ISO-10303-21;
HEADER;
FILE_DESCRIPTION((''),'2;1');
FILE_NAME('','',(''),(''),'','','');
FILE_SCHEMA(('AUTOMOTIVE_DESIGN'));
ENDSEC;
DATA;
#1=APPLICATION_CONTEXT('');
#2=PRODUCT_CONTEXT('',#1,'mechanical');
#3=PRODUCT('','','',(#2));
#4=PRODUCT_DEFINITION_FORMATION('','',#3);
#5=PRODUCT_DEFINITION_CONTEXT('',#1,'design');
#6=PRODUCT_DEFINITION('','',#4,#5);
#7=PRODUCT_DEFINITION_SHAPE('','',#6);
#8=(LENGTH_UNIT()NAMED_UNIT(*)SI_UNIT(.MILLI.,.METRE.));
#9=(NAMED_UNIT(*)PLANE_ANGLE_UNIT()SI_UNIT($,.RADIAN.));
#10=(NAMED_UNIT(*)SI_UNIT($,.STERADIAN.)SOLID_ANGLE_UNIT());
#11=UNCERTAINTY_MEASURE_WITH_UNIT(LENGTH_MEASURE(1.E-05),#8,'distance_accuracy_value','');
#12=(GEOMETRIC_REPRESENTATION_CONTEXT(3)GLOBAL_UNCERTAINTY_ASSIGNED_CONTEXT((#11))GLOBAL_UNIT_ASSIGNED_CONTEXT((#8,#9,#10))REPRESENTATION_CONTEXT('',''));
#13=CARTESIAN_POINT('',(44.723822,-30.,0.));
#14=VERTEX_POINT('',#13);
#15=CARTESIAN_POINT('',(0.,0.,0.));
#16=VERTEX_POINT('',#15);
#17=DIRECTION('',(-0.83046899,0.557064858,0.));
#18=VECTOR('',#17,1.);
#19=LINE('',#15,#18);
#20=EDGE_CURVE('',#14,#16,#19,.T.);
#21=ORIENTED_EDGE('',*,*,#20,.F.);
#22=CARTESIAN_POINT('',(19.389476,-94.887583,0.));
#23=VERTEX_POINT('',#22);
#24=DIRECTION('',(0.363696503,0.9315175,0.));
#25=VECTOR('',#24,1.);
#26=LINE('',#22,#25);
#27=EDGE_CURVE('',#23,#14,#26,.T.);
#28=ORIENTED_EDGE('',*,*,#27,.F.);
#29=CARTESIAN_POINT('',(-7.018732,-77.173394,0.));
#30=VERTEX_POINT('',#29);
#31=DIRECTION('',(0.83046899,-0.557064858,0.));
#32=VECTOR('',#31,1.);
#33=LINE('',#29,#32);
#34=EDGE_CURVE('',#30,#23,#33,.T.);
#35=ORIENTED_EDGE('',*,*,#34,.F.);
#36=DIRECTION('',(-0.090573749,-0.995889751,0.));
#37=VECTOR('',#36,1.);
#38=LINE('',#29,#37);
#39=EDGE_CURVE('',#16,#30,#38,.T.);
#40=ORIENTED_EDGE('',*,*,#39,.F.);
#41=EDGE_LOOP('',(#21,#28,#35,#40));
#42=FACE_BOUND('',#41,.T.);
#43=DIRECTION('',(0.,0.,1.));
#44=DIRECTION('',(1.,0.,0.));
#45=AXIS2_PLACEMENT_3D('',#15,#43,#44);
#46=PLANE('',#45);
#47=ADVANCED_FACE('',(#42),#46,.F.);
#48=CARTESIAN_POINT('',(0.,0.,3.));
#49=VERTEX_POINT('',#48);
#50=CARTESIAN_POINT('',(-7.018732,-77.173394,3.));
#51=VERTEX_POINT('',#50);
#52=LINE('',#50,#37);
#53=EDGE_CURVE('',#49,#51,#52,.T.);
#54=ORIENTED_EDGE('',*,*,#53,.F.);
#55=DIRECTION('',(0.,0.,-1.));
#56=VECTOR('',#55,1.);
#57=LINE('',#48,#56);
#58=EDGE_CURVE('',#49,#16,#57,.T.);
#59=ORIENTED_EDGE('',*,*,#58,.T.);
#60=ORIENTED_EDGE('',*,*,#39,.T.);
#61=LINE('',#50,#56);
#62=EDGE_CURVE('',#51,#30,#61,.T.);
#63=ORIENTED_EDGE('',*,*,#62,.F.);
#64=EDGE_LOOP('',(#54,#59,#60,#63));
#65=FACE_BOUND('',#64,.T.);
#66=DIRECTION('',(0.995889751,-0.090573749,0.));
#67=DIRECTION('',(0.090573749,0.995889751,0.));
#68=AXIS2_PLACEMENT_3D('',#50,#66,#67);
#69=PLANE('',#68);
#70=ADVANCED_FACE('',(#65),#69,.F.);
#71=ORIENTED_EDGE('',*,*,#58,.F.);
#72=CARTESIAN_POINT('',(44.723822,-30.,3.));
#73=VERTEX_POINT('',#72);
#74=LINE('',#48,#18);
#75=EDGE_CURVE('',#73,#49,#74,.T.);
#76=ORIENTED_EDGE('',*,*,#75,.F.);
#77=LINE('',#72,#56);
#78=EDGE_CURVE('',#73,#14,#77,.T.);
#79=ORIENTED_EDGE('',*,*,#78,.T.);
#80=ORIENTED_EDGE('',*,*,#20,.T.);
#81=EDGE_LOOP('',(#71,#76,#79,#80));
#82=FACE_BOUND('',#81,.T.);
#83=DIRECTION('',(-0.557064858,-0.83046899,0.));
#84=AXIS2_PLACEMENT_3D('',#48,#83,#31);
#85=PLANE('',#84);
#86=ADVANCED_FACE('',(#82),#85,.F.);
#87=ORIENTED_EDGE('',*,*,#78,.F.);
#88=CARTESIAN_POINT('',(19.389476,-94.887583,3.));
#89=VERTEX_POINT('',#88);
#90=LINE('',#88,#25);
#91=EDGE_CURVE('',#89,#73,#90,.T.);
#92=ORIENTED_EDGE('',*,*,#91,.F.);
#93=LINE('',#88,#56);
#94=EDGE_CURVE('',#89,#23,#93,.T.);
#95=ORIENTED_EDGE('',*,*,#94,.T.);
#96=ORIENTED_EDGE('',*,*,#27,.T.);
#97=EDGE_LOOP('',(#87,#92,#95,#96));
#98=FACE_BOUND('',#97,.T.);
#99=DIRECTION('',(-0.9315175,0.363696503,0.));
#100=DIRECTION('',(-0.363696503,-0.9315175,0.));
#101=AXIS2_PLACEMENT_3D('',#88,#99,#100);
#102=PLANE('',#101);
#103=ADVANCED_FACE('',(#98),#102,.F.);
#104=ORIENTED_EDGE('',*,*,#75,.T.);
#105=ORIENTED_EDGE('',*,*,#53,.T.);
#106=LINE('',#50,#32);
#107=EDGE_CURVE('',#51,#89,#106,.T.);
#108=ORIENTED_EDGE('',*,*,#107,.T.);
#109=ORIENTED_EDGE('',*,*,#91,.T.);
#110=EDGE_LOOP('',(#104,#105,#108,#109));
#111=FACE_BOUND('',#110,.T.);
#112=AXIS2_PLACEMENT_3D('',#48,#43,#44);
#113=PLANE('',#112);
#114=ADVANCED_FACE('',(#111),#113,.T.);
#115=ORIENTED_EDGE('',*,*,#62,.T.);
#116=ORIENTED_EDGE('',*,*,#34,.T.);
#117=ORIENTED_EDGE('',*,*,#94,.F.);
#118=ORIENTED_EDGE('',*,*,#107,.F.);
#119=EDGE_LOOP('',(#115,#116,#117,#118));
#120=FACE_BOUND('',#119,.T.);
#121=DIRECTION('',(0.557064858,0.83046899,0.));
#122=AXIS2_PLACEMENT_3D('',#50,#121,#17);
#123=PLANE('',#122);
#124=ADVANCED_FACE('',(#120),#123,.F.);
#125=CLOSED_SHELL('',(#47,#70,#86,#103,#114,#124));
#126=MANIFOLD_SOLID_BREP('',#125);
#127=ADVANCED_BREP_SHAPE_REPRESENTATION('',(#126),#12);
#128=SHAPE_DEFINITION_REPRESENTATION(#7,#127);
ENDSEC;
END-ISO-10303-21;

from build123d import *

# Parameters (mm, degrees)
BOSS_EXTRUDE1_DEPTH = 3


with BuildPart() as part:
    # Sketch1 → Boss-Extrude1 (new body)
    with BuildSketch(Plane.XY):
        Polygon((-7.018732355, -77.173394303), (0, 0), (44.723822302, -30), (19.389475765, -94.88758336), align=None)
    extrude(amount=BOSS_EXTRUDE1_DEPTH)


solid = part.part
